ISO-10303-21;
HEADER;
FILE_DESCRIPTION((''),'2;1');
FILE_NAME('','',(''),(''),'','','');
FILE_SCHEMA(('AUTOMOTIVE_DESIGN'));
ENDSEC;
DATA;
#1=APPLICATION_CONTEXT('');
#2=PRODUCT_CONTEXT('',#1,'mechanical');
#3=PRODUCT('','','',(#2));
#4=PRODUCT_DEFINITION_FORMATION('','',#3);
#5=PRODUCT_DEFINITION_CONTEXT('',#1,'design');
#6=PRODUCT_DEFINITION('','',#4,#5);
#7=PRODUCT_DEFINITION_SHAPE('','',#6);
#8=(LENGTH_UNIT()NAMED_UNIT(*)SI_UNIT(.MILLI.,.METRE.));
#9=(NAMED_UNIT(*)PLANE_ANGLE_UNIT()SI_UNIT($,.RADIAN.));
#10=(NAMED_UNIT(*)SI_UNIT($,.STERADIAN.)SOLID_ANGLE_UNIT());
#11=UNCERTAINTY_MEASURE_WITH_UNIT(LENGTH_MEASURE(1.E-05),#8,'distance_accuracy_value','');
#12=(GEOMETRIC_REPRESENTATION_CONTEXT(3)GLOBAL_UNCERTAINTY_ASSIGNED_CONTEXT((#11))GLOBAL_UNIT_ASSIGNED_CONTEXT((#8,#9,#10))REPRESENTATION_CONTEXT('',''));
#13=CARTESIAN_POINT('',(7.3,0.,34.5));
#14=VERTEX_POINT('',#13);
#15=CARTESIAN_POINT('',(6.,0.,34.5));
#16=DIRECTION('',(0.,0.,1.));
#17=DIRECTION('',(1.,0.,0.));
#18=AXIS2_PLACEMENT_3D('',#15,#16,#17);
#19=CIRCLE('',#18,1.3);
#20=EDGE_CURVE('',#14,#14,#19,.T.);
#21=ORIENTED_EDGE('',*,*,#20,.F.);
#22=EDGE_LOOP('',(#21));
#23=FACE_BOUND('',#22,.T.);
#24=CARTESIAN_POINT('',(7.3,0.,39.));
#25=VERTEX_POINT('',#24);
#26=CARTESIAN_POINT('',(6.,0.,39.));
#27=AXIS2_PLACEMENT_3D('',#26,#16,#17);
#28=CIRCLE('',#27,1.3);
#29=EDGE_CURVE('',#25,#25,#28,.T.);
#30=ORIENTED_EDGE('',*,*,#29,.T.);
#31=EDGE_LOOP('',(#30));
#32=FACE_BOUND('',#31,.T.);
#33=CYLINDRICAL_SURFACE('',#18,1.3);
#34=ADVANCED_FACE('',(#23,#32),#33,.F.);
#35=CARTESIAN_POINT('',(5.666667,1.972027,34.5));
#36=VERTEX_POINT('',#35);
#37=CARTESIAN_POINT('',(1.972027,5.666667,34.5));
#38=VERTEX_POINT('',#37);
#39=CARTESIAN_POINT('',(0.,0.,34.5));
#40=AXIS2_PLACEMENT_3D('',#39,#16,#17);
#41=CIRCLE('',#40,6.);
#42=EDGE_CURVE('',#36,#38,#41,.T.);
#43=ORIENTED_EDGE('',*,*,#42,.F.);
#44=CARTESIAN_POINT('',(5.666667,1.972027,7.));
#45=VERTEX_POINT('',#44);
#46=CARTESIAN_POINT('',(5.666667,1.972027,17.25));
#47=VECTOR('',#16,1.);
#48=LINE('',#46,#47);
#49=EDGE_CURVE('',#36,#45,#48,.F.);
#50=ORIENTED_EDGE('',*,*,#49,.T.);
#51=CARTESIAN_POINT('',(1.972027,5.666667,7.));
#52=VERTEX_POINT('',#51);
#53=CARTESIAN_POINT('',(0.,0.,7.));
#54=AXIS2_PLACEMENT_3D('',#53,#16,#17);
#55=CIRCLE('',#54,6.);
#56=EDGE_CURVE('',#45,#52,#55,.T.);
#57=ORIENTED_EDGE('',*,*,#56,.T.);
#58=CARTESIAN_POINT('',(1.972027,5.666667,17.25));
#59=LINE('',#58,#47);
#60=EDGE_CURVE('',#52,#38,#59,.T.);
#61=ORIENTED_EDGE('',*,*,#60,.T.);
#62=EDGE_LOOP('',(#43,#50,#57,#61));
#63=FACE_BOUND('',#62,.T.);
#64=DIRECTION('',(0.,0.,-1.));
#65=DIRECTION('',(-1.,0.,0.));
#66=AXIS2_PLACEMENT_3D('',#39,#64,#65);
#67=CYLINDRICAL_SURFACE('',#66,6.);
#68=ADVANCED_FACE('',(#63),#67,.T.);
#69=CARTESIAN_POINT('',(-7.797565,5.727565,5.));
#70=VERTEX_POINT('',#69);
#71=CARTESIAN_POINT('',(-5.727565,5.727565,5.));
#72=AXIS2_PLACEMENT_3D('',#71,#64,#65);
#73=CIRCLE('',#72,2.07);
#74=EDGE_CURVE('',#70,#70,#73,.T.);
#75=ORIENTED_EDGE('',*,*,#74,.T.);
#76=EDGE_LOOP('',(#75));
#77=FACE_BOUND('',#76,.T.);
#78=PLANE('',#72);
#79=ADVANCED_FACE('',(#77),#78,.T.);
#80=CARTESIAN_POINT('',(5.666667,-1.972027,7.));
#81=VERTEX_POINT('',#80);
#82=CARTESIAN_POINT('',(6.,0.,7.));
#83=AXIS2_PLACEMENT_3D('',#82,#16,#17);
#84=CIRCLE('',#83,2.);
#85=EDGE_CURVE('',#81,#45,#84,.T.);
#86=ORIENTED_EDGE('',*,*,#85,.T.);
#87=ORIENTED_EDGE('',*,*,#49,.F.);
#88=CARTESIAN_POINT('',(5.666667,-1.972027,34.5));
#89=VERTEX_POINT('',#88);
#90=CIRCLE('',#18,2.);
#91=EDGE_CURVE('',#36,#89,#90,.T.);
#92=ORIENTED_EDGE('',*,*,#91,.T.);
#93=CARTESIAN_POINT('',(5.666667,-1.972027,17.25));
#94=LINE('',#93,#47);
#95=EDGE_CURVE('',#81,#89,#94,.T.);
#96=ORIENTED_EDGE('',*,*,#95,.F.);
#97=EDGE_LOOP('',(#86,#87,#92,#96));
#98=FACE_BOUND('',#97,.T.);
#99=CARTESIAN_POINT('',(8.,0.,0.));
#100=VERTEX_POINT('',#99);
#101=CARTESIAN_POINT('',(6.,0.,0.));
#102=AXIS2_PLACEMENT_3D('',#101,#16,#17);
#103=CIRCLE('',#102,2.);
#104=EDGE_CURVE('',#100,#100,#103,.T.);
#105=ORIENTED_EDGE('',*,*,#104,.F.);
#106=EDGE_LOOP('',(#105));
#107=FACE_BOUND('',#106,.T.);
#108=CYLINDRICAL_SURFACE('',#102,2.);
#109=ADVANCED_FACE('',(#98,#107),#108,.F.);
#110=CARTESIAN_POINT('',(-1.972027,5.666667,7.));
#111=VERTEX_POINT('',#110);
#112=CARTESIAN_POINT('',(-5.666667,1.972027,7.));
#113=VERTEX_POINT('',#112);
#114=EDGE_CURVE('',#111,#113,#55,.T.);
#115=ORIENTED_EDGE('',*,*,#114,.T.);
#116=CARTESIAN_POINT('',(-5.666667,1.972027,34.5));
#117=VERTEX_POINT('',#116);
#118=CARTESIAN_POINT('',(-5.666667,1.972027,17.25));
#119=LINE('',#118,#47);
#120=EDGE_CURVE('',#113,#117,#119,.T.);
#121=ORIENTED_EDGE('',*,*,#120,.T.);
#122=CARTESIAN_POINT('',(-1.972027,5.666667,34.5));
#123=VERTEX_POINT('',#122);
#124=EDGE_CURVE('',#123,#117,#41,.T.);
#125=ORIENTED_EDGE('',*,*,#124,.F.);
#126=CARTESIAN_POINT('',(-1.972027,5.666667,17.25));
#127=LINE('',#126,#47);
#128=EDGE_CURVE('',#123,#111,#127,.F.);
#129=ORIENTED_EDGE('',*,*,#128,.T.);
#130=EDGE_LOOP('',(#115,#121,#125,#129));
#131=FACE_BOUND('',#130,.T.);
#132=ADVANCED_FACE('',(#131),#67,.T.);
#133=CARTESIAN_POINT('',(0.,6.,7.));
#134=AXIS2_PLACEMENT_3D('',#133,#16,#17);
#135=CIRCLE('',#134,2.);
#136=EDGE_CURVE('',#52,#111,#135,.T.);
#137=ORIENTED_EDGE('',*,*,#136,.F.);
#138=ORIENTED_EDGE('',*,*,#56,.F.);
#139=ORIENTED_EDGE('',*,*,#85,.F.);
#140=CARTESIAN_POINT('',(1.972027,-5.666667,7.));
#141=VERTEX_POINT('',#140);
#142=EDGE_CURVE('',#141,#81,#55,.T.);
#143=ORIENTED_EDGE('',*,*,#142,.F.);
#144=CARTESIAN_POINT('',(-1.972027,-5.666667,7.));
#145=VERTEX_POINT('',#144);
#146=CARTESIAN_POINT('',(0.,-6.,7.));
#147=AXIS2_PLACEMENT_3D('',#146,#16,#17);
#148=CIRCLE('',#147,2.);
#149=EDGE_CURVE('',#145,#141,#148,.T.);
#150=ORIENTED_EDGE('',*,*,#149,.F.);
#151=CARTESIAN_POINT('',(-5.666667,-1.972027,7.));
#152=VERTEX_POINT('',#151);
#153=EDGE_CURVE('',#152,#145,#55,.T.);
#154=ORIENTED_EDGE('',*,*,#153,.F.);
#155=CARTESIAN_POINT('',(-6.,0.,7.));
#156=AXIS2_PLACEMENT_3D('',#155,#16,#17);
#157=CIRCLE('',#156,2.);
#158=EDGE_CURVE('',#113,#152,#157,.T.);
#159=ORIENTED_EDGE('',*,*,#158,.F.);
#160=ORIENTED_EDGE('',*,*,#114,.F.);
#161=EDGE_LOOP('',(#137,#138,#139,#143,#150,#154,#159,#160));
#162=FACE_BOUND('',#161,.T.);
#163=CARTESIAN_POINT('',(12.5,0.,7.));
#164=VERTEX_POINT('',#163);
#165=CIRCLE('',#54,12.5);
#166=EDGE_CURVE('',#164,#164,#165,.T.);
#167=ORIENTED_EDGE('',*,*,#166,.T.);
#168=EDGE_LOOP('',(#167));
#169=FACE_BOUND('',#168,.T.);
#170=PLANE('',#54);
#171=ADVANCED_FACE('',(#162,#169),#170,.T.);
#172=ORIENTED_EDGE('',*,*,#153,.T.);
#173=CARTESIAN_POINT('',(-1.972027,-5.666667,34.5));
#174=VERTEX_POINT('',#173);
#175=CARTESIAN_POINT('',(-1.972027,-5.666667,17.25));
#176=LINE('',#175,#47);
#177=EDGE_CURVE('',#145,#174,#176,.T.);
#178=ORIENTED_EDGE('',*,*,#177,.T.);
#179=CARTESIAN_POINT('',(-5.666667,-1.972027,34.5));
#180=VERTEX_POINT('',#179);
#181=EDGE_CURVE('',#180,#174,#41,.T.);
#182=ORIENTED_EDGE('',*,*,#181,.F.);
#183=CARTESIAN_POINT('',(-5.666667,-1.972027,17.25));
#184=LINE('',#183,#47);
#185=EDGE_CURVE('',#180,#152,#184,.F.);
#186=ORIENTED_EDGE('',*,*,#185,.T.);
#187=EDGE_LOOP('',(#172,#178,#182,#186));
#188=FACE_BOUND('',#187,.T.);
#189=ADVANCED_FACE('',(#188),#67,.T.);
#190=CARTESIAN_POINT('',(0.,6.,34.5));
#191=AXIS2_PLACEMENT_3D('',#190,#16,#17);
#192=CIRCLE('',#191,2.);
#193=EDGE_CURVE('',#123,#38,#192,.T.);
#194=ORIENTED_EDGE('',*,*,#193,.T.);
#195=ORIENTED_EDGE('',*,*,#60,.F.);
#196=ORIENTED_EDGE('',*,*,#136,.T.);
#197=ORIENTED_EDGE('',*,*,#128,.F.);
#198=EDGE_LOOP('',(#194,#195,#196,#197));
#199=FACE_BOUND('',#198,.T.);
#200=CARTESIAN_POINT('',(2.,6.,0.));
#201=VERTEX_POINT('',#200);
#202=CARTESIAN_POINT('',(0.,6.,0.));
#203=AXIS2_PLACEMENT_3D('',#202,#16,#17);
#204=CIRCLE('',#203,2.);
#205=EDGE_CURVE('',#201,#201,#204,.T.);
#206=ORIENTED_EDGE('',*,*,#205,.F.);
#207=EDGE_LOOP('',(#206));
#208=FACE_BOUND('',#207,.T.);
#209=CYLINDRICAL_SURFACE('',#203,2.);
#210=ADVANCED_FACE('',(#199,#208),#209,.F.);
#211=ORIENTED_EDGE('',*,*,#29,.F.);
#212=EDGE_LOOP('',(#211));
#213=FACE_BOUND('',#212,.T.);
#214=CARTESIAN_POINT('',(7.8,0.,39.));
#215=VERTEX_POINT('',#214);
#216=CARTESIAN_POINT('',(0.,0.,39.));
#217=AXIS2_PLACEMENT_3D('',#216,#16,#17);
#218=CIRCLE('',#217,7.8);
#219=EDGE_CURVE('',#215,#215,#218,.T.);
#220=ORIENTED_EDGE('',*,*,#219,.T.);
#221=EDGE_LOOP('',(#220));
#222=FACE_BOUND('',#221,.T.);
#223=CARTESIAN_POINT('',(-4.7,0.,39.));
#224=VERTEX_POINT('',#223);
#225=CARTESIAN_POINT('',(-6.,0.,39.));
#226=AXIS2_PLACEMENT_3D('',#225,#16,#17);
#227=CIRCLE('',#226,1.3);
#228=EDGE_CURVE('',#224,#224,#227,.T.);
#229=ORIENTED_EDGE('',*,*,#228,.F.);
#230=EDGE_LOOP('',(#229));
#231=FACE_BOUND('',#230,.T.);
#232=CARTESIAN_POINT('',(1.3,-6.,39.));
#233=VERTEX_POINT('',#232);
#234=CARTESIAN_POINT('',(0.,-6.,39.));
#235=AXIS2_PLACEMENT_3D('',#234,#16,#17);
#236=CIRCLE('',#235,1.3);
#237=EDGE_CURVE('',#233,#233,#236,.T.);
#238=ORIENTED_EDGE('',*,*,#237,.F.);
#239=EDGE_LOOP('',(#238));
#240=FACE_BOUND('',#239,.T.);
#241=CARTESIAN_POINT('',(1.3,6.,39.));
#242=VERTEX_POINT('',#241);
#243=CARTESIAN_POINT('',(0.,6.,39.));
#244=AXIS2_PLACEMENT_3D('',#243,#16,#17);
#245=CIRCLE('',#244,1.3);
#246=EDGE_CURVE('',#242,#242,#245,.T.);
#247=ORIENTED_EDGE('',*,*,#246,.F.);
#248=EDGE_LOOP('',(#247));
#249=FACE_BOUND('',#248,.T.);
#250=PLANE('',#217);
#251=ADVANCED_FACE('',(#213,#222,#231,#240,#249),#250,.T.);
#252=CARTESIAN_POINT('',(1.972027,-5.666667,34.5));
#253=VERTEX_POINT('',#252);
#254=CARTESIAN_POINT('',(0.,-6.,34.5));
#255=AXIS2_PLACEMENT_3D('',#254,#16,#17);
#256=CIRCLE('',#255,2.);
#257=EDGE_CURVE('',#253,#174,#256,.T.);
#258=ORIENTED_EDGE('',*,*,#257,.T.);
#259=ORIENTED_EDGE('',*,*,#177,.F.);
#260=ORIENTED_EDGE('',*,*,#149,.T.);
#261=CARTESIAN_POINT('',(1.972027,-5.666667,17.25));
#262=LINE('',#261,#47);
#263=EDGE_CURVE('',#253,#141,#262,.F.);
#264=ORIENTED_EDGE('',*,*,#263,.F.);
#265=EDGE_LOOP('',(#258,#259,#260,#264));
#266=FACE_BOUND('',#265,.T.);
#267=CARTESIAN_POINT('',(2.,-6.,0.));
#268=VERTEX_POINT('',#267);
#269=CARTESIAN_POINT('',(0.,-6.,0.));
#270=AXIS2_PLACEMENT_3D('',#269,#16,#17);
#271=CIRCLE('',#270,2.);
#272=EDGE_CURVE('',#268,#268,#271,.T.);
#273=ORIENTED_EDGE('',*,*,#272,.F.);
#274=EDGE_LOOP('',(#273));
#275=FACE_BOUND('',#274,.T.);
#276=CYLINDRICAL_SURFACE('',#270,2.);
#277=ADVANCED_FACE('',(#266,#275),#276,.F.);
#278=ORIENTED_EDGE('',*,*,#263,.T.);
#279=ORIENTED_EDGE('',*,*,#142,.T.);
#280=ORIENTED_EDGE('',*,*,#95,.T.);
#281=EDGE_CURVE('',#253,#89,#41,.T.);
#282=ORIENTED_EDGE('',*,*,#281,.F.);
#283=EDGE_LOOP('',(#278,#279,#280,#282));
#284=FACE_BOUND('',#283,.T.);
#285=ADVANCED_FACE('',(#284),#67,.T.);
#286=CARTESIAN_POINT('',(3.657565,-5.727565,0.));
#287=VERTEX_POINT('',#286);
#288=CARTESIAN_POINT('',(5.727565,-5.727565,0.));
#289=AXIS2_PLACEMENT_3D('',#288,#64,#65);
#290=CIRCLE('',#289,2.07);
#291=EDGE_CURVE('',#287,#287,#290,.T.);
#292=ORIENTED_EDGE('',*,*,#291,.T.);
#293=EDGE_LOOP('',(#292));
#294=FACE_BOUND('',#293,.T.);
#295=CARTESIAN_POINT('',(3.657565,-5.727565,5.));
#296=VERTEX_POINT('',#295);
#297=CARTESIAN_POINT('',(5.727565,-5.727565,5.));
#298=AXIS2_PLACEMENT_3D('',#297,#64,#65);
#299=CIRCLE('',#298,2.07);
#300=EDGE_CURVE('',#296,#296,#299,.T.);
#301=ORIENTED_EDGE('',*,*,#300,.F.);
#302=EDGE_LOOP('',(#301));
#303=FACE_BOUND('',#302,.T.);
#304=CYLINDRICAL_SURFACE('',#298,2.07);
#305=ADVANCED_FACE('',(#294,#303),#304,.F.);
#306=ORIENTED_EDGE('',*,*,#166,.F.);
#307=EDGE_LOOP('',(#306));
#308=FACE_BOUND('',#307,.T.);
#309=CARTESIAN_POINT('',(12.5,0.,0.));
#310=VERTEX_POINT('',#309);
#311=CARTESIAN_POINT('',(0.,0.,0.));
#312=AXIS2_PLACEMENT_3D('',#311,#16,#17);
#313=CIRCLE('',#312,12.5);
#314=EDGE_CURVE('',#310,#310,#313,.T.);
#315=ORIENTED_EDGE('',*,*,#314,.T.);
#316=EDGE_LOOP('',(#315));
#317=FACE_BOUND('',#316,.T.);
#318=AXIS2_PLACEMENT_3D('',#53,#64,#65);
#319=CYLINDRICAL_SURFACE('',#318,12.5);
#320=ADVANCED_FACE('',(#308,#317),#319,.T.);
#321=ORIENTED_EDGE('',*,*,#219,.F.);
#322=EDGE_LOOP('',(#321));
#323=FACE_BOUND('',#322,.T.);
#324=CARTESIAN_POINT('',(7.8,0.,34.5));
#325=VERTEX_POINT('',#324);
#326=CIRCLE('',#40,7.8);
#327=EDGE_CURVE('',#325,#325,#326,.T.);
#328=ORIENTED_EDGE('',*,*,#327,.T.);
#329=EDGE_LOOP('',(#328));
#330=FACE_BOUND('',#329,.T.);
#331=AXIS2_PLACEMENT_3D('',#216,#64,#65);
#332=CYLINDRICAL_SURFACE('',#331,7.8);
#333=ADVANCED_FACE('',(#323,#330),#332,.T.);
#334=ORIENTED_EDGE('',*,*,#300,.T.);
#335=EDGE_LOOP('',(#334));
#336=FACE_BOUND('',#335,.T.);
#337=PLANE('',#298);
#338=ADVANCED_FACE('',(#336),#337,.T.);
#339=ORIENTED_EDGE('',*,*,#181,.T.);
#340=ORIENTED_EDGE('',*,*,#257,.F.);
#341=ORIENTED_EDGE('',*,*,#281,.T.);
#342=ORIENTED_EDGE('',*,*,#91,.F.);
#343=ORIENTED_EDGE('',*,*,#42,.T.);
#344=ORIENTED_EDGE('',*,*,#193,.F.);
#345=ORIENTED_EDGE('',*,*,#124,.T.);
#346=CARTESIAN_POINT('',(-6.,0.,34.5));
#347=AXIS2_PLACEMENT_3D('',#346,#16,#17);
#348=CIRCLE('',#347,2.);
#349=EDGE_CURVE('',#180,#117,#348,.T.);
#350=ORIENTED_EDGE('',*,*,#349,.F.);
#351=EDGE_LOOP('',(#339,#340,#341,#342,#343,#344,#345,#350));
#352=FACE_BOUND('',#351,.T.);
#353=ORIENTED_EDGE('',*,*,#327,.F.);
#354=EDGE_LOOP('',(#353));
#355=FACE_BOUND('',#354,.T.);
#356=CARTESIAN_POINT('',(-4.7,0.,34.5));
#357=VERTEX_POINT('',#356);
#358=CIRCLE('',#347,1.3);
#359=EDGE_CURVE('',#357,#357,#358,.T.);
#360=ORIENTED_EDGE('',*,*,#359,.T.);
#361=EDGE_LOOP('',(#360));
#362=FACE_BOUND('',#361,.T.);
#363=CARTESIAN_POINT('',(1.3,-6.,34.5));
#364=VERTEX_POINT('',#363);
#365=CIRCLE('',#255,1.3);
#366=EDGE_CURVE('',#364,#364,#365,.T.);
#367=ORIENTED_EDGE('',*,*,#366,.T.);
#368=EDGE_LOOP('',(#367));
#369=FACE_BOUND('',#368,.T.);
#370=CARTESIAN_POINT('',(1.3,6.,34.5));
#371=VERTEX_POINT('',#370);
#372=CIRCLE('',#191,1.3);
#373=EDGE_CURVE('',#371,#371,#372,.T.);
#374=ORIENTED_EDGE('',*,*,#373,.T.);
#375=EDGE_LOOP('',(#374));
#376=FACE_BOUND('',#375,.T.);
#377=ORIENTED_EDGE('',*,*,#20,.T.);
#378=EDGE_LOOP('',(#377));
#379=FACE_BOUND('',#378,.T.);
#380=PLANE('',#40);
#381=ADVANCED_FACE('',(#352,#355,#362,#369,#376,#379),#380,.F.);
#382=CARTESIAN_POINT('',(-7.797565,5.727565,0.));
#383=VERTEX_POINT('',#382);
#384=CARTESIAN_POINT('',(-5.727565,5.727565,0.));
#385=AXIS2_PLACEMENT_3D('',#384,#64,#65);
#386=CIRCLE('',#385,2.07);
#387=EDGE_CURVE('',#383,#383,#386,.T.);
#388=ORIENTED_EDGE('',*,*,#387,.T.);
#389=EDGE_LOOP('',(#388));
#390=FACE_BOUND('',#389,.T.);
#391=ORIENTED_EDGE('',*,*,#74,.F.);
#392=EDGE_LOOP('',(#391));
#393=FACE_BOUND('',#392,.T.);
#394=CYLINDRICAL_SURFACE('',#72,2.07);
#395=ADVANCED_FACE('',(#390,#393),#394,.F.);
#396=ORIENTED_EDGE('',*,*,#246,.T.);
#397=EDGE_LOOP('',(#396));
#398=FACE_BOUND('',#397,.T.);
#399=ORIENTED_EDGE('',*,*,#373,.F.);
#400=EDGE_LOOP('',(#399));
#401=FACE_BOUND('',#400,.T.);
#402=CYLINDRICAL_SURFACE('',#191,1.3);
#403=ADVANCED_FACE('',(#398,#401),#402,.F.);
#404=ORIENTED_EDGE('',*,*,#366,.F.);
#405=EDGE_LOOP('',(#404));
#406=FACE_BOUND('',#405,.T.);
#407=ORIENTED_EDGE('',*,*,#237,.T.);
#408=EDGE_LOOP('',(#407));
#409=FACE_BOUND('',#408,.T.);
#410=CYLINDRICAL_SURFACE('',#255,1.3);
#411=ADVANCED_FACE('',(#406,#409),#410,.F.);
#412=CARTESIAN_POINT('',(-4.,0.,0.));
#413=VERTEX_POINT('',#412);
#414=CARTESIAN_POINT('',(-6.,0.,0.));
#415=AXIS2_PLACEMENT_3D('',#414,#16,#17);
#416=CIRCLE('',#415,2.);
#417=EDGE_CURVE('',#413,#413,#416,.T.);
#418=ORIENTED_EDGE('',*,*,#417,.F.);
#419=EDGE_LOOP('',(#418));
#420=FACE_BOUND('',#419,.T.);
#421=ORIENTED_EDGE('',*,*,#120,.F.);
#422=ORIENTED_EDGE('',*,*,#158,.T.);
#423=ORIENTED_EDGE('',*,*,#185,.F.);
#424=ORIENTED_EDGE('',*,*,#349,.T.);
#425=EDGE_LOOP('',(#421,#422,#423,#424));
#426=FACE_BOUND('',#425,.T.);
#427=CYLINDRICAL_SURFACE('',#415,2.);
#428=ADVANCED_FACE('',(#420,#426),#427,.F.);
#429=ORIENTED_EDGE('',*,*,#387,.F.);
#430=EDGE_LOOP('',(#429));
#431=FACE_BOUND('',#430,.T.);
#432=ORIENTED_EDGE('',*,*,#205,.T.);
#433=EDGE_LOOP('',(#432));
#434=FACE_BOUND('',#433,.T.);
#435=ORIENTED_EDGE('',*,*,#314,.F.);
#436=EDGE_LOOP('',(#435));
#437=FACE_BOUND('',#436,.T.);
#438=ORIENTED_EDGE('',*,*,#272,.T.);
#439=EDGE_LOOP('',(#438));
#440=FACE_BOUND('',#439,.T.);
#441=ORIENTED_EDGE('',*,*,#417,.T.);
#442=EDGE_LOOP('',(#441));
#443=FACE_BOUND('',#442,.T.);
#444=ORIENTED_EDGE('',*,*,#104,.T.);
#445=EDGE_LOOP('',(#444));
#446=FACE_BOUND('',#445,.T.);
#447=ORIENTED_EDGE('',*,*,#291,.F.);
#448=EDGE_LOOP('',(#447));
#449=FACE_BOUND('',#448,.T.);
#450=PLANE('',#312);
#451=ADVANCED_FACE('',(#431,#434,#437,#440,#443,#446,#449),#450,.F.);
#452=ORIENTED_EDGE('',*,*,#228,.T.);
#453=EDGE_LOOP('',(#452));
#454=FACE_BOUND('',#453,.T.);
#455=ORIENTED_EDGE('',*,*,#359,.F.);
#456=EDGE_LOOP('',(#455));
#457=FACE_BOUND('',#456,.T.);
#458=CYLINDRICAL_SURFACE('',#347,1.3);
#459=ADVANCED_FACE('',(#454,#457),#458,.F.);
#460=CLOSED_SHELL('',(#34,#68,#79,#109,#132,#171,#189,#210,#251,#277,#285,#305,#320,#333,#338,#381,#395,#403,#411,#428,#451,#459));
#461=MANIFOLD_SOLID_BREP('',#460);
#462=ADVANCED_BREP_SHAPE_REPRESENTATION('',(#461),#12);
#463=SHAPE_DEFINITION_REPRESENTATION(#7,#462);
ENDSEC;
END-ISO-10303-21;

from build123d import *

# Parameters (mm, degrees)
SKETCH1_R           = 12.5
BOSS_EXTRUDE1_DEPTH = 7
SKETCH2_R           = 6
BOSS_EXTRUDE2_DEPTH = 27.5
SKETCH3_R           = 2
CUT_EXTRUDE1_DEPTH  = 35.5
SKETCH4_R           = 2.07
CUT_EXTRUDE2_DEPTH  = 5
SKETCH5_R           = 7.8
BOSS_EXTRUDE3_DEPTH = 4.5
SKETCH6_R           = 1.3
CUT_EXTRUDE3_DEPTH  = 4.5


with BuildPart() as part:
    # Sketch1 → Boss-Extrude1 (new body)
    with BuildSketch(Plane.XY):
        Circle(SKETCH1_R)
    extrude(amount=BOSS_EXTRUDE1_DEPTH)

    # Sketch2 → Boss-Extrude2 (add)
    with BuildSketch(Plane.XY.offset(7)):
        Circle(SKETCH2_R)
    extrude(amount=BOSS_EXTRUDE2_DEPTH)

    # Sketch3 → Cut-Extrude1 (cut, through all)
    with BuildSketch(Plane.XY.offset(34.5)):
        with Locations((0, 6)):
            Circle(SKETCH3_R)
        with Locations((6, 0)):
            Circle(SKETCH3_R)
        with Locations((0, -6)):
            Circle(SKETCH3_R)
        with Locations((-6, 0)):
            Circle(SKETCH3_R)
    extrude(amount=-CUT_EXTRUDE1_DEPTH, mode=Mode.SUBTRACT)

    # Sketch4 → Cut-Extrude2 (cut)
    with BuildSketch(Plane(origin=(0, 0, 0), x_dir=(-1, 0, 0), z_dir=(0, 0, -1))):
        with Locations((5.727564928, 5.727564928)):
            Circle(SKETCH4_R)
        with Locations((-5.727564928, -5.727564928)):
            Circle(SKETCH4_R)
    extrude(amount=-CUT_EXTRUDE2_DEPTH, mode=Mode.SUBTRACT)

    # Sketch5 → Boss-Extrude3 (add)
    with BuildSketch(Plane.XY.offset(34.5)):
        Circle(SKETCH5_R)
    extrude(amount=BOSS_EXTRUDE3_DEPTH)

    # Sketch6 → Cut-Extrude3 (cut)
    with BuildSketch(Plane.XY.offset(39)):
        with Locations((-6, 0)):
            Circle(SKETCH6_R)
        with Locations((0, 6)):
            Circle(SKETCH6_R)
        with Locations((6, 0)):
            Circle(SKETCH6_R)
        with Locations((0, -6)):
            Circle(SKETCH6_R)
    extrude(amount=-CUT_EXTRUDE3_DEPTH, mode=Mode.SUBTRACT)


solid = part.part
